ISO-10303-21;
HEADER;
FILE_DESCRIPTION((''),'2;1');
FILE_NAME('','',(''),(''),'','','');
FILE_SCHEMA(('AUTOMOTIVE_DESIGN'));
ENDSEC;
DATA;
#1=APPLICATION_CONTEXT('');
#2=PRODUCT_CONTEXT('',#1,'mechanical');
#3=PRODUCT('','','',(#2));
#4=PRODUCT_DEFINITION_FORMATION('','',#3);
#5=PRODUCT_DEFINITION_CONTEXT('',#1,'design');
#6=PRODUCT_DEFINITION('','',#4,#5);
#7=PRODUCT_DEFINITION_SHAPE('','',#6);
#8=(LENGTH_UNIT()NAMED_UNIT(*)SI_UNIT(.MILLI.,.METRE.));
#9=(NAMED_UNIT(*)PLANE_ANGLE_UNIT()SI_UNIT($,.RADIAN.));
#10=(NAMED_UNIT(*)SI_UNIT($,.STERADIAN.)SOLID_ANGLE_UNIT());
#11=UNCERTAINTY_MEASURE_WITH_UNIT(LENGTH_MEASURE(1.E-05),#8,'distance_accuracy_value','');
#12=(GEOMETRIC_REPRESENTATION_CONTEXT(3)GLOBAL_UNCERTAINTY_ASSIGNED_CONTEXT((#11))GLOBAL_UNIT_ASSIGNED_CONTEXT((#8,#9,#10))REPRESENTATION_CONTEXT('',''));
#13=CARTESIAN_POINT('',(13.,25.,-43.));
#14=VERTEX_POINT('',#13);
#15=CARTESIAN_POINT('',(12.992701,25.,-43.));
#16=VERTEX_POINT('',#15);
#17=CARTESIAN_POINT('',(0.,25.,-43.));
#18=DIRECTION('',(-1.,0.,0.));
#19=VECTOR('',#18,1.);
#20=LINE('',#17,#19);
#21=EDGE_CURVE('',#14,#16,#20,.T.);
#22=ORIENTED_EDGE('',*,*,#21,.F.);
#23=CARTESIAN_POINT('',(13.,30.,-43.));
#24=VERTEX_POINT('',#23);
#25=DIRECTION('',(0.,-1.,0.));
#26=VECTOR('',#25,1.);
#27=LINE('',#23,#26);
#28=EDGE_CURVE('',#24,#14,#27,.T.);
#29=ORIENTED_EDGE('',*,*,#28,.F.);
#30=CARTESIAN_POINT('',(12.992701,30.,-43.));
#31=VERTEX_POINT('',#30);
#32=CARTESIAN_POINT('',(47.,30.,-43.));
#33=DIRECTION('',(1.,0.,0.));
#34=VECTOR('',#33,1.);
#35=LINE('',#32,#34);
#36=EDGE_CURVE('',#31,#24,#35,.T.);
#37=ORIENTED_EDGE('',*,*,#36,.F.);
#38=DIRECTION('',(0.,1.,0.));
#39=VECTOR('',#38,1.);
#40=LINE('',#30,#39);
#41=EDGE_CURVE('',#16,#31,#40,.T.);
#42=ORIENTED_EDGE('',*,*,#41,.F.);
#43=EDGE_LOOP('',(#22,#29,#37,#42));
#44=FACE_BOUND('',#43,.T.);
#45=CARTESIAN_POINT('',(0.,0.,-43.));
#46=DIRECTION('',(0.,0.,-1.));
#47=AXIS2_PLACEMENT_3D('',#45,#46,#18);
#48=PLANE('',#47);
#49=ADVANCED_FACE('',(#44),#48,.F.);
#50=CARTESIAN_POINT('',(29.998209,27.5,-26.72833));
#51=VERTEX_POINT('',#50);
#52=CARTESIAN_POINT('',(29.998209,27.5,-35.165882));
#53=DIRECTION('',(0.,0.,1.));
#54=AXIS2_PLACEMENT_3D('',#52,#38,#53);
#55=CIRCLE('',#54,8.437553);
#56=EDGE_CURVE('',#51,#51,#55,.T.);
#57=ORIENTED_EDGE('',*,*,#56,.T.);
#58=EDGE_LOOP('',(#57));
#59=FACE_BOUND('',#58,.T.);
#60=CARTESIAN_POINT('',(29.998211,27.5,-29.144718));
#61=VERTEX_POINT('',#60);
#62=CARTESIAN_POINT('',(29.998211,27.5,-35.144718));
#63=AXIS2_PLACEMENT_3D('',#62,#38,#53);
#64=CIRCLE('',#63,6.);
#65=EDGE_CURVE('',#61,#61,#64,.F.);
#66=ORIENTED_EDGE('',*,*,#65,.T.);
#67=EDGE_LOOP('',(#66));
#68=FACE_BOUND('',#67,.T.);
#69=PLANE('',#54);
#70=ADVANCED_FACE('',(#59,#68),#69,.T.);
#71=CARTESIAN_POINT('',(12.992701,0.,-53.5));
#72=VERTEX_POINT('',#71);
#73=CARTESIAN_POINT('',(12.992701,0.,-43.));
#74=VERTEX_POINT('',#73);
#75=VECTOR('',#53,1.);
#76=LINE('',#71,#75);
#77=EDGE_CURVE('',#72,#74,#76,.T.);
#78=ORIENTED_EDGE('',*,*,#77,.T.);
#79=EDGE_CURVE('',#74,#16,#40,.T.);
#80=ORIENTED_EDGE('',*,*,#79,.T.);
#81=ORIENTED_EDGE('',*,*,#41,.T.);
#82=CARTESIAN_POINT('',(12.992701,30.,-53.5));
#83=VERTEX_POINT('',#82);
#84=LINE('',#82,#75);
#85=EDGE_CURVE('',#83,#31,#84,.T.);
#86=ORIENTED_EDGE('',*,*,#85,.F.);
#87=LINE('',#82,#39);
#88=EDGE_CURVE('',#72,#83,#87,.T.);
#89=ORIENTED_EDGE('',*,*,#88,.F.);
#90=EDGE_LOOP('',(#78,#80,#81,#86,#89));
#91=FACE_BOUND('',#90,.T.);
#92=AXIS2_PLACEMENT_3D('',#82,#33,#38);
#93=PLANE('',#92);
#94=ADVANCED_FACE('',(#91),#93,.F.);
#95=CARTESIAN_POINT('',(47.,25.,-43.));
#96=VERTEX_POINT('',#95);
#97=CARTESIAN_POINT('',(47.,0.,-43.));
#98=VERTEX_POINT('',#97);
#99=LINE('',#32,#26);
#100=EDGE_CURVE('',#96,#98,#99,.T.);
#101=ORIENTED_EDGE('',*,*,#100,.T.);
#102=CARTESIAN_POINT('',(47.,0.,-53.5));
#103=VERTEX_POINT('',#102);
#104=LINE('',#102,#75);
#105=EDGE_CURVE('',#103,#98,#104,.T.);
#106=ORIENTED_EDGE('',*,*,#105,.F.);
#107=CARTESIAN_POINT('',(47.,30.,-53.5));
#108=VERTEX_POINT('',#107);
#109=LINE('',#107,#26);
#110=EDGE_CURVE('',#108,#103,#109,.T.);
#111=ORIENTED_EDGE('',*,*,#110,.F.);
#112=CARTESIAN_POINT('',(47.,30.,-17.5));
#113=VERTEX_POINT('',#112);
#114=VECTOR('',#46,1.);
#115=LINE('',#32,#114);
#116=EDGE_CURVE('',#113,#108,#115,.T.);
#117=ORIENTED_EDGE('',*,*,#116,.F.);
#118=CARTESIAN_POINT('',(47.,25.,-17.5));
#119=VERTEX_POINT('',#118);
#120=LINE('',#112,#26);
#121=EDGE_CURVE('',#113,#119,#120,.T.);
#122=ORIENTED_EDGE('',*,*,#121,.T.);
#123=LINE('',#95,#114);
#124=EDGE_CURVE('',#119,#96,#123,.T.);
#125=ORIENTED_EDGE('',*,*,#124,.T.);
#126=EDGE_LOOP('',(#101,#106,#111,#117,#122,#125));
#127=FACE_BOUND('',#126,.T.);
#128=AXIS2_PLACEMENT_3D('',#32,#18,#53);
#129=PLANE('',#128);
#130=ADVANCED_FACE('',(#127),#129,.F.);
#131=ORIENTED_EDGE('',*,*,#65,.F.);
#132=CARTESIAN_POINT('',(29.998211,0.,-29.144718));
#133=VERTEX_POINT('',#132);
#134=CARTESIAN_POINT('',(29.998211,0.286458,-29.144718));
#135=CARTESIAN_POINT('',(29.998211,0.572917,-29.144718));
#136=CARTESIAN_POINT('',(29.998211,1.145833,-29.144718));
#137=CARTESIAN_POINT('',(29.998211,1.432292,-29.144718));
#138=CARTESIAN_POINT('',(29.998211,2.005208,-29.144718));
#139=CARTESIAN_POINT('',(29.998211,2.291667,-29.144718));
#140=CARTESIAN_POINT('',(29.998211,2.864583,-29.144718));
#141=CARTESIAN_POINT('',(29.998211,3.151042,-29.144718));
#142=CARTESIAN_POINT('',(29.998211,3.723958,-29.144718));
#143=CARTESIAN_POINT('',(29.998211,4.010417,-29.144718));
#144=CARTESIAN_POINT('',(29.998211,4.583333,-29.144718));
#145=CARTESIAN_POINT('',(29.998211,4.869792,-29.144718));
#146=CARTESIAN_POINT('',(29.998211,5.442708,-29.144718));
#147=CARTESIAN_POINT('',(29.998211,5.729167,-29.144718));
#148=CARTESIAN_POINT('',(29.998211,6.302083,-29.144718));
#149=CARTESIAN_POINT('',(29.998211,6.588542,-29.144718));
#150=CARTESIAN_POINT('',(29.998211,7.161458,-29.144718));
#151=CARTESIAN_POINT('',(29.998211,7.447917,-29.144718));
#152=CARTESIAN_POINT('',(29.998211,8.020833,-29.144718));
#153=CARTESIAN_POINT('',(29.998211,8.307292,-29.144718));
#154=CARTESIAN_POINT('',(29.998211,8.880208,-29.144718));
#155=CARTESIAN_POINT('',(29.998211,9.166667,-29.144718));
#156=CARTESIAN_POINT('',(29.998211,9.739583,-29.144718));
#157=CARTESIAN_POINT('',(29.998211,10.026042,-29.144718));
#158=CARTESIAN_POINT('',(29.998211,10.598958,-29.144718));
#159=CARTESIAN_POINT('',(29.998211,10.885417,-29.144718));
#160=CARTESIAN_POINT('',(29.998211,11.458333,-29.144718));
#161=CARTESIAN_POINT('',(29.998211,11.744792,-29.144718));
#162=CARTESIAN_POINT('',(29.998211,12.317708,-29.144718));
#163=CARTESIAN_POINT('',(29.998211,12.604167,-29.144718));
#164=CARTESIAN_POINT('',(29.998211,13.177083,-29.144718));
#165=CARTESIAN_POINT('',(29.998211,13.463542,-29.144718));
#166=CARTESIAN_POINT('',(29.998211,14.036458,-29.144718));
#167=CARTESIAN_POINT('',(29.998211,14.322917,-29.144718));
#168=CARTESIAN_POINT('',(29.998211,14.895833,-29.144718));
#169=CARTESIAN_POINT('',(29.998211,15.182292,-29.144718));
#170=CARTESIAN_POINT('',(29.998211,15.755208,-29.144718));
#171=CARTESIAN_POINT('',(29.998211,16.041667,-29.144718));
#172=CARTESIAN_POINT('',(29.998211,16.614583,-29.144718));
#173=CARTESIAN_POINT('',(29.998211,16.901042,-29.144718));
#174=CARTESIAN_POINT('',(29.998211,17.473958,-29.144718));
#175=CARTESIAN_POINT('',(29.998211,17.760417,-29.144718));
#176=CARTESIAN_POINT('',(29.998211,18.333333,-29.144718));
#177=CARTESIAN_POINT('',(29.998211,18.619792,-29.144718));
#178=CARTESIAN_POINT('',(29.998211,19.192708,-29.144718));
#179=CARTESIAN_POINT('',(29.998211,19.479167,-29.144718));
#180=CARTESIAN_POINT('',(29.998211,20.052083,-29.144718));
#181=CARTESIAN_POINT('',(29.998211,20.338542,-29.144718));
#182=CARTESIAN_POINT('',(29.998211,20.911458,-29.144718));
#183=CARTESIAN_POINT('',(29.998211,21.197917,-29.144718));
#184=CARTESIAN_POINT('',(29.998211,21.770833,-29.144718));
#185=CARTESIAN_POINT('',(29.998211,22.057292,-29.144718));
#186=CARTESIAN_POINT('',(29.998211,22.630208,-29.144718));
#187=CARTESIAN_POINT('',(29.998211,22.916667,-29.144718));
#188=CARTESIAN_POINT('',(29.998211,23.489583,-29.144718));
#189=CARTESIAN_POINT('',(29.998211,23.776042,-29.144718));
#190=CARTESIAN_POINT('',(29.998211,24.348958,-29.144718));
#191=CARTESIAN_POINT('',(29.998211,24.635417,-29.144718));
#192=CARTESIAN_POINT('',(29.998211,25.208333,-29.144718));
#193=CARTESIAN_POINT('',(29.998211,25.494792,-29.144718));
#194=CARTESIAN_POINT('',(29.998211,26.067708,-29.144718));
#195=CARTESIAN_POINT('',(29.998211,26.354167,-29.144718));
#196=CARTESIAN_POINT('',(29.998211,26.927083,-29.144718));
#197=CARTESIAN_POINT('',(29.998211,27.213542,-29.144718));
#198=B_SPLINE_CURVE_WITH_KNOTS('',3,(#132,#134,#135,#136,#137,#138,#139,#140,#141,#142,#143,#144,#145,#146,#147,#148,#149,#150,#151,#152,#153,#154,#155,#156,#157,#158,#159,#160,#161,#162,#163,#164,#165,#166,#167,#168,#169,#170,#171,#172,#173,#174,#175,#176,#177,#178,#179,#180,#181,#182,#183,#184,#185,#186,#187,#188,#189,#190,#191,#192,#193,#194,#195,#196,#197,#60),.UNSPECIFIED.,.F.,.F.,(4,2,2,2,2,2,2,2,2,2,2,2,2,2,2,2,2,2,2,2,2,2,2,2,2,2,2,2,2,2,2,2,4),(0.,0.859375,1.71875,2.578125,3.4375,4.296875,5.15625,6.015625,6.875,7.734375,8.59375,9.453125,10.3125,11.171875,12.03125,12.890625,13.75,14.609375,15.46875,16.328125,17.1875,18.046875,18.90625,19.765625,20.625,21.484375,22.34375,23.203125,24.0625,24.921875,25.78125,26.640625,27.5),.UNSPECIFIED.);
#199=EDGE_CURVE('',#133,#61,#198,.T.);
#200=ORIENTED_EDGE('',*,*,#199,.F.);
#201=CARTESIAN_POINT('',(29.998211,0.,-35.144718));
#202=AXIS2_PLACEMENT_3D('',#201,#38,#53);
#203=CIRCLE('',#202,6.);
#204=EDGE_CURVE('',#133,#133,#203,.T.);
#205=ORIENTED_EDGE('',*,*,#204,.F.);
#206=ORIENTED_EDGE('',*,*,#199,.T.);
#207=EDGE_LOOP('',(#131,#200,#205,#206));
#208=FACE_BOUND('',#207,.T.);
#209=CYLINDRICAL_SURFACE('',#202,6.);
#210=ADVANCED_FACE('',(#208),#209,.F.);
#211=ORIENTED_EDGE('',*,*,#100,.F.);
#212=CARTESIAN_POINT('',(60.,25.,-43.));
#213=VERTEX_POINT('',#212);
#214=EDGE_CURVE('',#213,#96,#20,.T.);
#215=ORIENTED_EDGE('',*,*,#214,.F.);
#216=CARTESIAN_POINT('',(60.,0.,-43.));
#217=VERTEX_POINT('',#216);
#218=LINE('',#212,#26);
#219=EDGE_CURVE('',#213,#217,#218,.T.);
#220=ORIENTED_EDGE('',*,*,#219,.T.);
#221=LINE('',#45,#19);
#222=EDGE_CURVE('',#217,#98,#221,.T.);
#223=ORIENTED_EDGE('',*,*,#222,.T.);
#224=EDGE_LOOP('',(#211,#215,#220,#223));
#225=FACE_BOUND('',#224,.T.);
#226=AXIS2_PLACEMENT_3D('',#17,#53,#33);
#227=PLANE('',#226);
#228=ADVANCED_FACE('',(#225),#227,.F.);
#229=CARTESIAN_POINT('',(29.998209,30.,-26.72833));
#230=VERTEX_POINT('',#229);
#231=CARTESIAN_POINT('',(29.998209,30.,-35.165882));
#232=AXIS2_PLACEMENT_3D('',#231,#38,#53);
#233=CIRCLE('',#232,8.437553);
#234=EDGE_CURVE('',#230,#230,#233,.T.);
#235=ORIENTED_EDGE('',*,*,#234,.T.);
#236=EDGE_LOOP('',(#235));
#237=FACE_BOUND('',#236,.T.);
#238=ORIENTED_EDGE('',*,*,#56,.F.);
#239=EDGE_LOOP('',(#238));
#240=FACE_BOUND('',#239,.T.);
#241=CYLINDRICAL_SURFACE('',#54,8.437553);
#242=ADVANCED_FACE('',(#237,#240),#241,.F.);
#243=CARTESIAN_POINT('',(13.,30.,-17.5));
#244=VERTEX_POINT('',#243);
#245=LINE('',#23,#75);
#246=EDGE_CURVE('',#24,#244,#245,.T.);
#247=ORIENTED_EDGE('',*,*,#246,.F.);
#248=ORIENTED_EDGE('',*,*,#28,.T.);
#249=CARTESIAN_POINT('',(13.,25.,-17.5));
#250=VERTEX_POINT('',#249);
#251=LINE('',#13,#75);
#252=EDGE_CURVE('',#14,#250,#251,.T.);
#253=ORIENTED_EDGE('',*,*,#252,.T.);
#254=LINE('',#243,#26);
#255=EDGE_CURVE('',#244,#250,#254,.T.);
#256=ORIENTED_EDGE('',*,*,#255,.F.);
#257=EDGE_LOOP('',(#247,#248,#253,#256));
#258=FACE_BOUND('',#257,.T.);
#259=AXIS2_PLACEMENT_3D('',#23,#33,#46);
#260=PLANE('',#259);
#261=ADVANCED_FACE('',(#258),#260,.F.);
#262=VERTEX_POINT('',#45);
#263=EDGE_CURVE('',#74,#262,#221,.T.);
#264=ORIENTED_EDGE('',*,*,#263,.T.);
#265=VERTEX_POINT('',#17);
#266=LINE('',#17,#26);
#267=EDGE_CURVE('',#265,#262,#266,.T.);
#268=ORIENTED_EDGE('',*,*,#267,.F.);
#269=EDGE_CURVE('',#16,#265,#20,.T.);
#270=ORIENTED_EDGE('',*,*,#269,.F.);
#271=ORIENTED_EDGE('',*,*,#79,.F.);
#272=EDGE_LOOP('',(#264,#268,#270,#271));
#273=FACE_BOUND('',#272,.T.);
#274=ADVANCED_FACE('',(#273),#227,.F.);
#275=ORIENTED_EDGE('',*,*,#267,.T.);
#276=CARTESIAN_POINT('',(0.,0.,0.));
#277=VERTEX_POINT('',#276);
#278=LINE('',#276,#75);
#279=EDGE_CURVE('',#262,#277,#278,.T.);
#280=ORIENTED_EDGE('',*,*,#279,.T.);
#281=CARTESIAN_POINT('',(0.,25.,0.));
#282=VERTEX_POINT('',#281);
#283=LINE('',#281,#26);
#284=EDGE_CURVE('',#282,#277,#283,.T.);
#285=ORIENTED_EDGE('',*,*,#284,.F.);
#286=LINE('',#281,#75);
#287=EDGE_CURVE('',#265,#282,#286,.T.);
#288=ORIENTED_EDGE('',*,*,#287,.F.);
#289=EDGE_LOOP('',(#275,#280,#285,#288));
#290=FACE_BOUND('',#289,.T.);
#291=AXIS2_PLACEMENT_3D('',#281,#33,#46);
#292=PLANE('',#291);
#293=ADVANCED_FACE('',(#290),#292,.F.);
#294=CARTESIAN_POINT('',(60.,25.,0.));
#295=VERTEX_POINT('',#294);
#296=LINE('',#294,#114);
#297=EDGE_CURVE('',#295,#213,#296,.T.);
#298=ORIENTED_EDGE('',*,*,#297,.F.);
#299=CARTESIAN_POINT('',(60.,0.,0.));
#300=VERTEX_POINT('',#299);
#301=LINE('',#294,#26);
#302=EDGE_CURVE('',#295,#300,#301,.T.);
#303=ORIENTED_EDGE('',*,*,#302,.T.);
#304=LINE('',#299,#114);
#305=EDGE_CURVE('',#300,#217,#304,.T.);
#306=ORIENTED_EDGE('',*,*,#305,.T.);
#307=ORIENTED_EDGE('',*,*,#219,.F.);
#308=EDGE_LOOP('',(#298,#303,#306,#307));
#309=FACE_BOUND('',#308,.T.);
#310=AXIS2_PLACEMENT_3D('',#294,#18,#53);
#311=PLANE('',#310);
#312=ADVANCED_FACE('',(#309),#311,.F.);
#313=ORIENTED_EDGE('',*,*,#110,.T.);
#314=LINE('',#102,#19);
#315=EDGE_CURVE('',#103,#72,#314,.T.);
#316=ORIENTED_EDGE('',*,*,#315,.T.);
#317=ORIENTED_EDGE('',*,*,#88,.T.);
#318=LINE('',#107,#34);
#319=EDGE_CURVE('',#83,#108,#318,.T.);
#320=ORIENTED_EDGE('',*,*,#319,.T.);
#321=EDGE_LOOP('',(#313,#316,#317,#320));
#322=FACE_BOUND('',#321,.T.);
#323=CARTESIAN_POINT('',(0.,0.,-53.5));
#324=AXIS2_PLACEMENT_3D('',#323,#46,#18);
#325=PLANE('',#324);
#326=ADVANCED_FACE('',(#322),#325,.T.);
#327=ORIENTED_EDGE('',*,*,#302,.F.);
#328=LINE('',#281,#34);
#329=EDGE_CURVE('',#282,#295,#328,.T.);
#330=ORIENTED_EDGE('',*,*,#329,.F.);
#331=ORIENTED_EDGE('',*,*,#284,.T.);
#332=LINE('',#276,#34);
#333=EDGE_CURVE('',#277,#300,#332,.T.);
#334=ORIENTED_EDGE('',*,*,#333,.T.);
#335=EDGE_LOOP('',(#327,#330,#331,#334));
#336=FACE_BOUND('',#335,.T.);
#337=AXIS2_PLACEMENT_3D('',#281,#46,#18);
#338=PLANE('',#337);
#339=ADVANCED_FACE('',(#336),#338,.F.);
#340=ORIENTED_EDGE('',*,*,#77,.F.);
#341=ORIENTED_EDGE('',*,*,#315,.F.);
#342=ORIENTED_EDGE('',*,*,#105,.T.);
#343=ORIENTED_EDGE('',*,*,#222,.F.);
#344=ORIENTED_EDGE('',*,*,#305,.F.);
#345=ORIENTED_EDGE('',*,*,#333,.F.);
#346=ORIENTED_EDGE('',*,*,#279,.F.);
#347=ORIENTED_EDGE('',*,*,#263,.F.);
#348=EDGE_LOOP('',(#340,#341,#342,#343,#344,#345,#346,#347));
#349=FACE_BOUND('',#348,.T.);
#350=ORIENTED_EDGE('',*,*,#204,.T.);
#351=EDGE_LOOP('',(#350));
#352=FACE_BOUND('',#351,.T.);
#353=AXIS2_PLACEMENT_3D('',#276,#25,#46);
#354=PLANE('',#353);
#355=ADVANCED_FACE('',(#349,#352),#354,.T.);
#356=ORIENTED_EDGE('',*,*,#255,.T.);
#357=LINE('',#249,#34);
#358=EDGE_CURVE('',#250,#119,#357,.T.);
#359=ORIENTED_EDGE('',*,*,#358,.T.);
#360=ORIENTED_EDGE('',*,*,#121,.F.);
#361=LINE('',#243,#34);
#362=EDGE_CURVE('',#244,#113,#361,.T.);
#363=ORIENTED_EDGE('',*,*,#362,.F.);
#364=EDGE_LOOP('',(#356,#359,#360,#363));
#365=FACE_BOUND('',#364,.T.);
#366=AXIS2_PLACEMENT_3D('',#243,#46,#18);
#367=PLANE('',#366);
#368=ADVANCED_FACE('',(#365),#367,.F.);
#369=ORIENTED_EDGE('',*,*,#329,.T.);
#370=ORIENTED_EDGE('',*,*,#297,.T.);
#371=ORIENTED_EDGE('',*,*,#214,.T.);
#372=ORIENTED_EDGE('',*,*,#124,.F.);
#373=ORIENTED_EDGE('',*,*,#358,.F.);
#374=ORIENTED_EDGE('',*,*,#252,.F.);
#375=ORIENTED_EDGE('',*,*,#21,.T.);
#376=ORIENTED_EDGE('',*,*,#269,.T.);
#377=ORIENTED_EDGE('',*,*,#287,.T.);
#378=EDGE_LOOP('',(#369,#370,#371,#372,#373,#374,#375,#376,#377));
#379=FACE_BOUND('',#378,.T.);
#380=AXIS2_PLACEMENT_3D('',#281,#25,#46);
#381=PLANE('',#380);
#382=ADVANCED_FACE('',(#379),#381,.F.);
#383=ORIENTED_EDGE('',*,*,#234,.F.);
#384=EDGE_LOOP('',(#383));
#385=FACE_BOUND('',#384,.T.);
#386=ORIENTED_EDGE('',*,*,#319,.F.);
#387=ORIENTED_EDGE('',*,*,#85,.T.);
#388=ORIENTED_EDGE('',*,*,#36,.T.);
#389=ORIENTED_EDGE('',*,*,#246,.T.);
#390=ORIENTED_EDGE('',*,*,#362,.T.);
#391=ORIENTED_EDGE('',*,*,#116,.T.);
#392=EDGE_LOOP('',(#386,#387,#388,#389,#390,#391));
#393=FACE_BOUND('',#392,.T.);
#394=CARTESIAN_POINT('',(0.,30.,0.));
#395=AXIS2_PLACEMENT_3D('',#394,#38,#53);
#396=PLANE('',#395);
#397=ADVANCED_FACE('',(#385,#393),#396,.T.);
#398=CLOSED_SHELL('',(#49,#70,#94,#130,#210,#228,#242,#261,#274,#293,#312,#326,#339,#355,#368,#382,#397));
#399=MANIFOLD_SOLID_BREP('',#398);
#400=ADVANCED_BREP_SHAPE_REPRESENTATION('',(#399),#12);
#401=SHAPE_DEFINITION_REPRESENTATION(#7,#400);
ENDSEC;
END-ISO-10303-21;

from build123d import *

# Parameters (mm, degrees)
SKETCH1_W           = 60
SKETCH1_H           = 43
BOSS_EXTRUDE1_DEPTH = 25
SKETCH2_W           = 34
SKETCH2_H           = 25.5
BOSS_EXTRUDE2_DEPTH = 5
SKETCH5_W           = 34.00729927
SKETCH5_H           = 30
BOSS_EXTRUDE3_DEPTH = 10.5
SKETCH6_R           = 6
CUT_EXTRUDE1_DEPTH  = 86.803554705
SKETCH7_R           = 8.437552617
SKETCH7_R_2         = 5.978835127
CUT_EXTRUDE2_DEPTH  = 2.5


with BuildPart() as part:
    # Sketch1 → Boss-Extrude1 (new body)
    with BuildSketch(Plane(origin=(0, 0, 0), x_dir=(1, 0, 0), z_dir=(0, 1, 0))):
        with Locations((30, 21.5)):
            Rectangle(SKETCH1_W, SKETCH1_H)
    extrude(amount=BOSS_EXTRUDE1_DEPTH)

    # Sketch2 → Boss-Extrude2 (add)
    with BuildSketch(Plane(origin=(0, 25, 0), x_dir=(1, 0, 0), z_dir=(0, 1, 0))):
        with Locations((30, 30.25)):
            Rectangle(SKETCH2_W, SKETCH2_H)
    extrude(amount=BOSS_EXTRUDE2_DEPTH)

    # Sketch5 → Boss-Extrude3 (add)
    with BuildSketch(Plane(origin=(0, 0, -43), x_dir=(-1, 0, 0), z_dir=(0, 0, -1))):
        with Locations((-29.996350365, 15)):
            Rectangle(SKETCH5_W, SKETCH5_H)
    extrude(amount=BOSS_EXTRUDE3_DEPTH)

    # Sketch6 → Cut-Extrude1 (cut, through all)
    with BuildSketch(Plane(origin=(0, 30, 0), x_dir=(1, 0, 0), z_dir=(0, 1, 0))):
        with Locations(Location((29.998211201, 35.144717579, 0), (0, 0, 270))):
            Circle(SKETCH6_R)
    extrude(amount=-CUT_EXTRUDE1_DEPTH, mode=Mode.SUBTRACT)

    # Sketch7 → Cut-Extrude2 (cut, symmetric)
    with BuildSketch(Plane(origin=(0, 30, 0), x_dir=(1, 0, 0), z_dir=(0, 1, 0))):
        with Locations(Location((29.998209055, 35.165882453, 0), (0, 0, 270))):
            Circle(SKETCH7_R)
        with Locations((29.998209055, 35.165882453)):
            Circle(SKETCH7_R_2, mode=Mode.SUBTRACT)
    extrude(amount=CUT_EXTRUDE2_DEPTH, both=True, mode=Mode.SUBTRACT)


solid = part.part
